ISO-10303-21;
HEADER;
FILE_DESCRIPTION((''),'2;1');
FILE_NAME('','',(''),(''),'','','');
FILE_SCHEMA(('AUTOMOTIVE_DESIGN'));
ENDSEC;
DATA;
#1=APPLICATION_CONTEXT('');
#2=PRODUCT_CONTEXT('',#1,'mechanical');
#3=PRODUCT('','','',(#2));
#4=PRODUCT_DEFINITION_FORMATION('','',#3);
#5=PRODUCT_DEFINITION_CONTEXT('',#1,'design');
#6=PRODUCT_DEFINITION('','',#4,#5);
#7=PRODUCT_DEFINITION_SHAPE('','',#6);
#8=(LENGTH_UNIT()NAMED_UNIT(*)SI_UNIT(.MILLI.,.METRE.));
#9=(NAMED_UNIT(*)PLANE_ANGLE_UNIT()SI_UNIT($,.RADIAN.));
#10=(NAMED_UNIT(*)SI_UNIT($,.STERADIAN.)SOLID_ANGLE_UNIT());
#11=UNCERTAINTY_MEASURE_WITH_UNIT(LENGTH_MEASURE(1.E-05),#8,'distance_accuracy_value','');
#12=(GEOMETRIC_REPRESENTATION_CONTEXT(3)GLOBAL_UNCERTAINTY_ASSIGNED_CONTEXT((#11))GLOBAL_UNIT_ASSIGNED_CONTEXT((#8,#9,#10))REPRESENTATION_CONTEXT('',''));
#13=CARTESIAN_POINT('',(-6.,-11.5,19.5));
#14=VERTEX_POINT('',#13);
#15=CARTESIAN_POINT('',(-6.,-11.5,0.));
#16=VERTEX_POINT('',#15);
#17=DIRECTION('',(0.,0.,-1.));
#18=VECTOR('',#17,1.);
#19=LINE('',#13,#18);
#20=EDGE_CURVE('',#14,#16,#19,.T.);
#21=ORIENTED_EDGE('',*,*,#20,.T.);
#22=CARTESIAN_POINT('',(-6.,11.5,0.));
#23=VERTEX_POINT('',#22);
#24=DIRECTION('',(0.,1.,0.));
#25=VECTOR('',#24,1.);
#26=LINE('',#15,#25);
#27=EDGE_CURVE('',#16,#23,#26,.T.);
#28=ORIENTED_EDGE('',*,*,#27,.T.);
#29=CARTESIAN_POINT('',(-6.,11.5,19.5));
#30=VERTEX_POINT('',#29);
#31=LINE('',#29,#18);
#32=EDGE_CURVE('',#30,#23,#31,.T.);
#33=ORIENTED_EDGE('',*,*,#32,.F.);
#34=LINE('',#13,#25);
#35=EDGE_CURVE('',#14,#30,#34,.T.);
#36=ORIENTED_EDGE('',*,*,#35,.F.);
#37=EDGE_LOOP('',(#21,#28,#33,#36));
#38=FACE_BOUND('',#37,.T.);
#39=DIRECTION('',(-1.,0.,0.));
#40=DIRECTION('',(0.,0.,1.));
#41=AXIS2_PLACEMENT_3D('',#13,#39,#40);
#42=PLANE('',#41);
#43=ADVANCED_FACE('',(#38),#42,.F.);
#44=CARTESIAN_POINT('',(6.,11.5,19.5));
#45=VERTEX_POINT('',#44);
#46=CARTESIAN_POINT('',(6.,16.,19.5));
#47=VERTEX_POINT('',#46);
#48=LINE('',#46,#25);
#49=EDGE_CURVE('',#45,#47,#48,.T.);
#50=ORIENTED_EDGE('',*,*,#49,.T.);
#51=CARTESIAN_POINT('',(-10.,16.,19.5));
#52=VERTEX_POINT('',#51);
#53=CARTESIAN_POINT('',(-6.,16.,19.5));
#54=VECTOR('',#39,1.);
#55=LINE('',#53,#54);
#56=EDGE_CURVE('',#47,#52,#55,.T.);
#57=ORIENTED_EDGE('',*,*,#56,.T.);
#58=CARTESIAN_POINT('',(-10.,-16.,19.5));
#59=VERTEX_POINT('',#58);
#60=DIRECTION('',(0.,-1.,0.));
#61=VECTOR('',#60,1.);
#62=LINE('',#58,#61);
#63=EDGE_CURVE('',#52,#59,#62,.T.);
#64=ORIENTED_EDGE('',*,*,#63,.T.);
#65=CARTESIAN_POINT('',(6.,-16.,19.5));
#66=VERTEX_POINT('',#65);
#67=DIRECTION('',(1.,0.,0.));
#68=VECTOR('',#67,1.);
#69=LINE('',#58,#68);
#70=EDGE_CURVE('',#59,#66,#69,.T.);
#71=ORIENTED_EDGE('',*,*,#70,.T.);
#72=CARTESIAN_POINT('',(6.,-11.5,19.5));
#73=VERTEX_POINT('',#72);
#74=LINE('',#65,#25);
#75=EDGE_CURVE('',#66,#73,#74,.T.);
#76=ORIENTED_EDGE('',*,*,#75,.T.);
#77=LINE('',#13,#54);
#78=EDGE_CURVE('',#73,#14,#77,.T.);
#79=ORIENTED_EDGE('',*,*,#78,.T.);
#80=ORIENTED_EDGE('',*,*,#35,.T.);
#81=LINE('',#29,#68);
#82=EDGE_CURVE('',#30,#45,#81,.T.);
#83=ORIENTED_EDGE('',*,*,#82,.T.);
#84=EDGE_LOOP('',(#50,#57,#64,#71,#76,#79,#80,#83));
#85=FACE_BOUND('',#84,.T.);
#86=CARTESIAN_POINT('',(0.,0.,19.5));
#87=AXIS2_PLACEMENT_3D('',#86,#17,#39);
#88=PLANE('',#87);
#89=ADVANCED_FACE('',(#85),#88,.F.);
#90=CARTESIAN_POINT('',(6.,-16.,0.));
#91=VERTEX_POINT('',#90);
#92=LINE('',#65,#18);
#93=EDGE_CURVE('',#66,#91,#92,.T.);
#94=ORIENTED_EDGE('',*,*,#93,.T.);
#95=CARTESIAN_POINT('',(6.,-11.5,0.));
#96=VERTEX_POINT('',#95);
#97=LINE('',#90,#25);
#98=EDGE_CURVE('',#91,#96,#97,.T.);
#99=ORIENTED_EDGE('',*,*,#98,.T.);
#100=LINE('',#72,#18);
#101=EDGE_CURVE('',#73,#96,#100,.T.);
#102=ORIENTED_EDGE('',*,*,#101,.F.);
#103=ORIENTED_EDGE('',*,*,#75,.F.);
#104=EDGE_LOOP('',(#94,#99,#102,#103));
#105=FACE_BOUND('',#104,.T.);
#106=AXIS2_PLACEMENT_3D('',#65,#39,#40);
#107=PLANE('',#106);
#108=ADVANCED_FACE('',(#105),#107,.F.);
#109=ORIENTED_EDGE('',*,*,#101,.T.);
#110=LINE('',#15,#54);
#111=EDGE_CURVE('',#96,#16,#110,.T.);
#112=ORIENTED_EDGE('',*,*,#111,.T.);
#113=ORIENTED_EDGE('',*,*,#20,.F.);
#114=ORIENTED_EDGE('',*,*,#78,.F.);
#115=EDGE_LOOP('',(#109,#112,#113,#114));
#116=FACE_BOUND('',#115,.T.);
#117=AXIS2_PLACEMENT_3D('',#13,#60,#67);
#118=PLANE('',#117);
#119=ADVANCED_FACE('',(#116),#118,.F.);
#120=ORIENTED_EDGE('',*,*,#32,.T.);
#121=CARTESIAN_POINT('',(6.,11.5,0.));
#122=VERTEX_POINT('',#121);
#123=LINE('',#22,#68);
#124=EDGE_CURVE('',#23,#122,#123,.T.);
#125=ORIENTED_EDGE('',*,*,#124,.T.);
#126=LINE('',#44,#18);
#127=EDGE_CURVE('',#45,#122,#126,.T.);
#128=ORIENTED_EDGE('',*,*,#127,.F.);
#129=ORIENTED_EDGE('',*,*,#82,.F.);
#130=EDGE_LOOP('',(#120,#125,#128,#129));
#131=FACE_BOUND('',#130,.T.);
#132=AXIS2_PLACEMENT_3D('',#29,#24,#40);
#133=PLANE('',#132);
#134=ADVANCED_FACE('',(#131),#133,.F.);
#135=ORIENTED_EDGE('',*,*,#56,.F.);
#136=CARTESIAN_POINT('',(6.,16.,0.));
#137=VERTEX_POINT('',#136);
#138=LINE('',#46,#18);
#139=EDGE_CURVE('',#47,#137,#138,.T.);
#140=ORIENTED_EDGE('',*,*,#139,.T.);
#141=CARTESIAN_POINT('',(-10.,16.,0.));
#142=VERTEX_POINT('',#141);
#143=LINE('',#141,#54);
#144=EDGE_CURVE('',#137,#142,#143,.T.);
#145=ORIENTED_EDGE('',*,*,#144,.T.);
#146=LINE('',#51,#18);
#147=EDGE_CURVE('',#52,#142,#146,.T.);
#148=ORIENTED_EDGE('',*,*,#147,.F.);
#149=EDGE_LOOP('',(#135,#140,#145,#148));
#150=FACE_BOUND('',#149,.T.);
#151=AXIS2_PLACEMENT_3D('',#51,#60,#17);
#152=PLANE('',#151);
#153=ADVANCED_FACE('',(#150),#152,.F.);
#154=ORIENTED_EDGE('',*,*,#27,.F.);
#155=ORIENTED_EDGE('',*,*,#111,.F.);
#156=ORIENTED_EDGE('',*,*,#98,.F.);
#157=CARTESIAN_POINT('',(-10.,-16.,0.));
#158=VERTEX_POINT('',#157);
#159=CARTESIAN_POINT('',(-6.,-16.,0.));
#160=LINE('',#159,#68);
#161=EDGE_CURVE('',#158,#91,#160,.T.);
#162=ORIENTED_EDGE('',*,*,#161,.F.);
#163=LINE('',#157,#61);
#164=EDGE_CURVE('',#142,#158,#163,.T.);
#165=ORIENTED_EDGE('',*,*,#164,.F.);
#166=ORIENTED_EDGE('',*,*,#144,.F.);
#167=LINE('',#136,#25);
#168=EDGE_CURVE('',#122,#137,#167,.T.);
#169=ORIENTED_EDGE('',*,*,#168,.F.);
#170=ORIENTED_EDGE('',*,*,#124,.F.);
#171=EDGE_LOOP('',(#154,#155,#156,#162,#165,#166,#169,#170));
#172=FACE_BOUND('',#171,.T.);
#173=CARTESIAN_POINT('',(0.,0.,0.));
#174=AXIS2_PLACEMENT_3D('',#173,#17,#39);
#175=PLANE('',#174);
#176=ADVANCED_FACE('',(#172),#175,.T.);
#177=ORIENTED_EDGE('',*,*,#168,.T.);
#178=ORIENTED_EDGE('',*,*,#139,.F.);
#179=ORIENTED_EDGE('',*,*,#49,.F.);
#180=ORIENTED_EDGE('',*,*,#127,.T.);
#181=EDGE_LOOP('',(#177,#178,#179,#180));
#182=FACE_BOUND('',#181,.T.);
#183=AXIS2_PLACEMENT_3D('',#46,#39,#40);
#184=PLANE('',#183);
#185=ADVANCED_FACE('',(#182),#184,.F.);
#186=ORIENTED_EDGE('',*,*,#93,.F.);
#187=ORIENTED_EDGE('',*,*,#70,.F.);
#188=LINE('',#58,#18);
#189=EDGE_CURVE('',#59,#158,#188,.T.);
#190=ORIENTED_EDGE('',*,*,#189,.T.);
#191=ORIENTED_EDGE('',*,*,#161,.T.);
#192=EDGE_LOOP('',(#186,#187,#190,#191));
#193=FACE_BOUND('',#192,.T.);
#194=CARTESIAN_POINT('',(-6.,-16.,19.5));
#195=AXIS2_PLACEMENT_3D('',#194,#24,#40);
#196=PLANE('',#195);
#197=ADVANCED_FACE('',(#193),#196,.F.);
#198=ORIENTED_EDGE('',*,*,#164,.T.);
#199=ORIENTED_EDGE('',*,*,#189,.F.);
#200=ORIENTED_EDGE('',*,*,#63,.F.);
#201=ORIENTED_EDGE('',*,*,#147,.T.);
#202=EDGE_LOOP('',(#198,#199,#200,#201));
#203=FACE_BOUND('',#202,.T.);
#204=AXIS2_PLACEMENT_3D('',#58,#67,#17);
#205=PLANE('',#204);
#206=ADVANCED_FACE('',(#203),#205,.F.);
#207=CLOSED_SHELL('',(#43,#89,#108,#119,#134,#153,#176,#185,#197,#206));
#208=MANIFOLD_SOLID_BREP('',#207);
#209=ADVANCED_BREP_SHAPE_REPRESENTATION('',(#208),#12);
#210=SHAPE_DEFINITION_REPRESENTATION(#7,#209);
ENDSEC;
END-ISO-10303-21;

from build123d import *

# Parameters (mm, degrees)
BOSS_EXTRUDE1_DEPTH = 19.5


with BuildPart() as part:
    # Sketch1 → Boss-Extrude1 (new body)
    with BuildSketch(Plane.XY):
        Polygon((-10, -16), (-6, -16), (6, -16), (6, -11.5), (-6, -11.5), (-6, 11.5), (6, 11.5), (6, 16), (-6, 16), (-10, 16), align=None)
    extrude(amount=BOSS_EXTRUDE1_DEPTH)


solid = part.part
